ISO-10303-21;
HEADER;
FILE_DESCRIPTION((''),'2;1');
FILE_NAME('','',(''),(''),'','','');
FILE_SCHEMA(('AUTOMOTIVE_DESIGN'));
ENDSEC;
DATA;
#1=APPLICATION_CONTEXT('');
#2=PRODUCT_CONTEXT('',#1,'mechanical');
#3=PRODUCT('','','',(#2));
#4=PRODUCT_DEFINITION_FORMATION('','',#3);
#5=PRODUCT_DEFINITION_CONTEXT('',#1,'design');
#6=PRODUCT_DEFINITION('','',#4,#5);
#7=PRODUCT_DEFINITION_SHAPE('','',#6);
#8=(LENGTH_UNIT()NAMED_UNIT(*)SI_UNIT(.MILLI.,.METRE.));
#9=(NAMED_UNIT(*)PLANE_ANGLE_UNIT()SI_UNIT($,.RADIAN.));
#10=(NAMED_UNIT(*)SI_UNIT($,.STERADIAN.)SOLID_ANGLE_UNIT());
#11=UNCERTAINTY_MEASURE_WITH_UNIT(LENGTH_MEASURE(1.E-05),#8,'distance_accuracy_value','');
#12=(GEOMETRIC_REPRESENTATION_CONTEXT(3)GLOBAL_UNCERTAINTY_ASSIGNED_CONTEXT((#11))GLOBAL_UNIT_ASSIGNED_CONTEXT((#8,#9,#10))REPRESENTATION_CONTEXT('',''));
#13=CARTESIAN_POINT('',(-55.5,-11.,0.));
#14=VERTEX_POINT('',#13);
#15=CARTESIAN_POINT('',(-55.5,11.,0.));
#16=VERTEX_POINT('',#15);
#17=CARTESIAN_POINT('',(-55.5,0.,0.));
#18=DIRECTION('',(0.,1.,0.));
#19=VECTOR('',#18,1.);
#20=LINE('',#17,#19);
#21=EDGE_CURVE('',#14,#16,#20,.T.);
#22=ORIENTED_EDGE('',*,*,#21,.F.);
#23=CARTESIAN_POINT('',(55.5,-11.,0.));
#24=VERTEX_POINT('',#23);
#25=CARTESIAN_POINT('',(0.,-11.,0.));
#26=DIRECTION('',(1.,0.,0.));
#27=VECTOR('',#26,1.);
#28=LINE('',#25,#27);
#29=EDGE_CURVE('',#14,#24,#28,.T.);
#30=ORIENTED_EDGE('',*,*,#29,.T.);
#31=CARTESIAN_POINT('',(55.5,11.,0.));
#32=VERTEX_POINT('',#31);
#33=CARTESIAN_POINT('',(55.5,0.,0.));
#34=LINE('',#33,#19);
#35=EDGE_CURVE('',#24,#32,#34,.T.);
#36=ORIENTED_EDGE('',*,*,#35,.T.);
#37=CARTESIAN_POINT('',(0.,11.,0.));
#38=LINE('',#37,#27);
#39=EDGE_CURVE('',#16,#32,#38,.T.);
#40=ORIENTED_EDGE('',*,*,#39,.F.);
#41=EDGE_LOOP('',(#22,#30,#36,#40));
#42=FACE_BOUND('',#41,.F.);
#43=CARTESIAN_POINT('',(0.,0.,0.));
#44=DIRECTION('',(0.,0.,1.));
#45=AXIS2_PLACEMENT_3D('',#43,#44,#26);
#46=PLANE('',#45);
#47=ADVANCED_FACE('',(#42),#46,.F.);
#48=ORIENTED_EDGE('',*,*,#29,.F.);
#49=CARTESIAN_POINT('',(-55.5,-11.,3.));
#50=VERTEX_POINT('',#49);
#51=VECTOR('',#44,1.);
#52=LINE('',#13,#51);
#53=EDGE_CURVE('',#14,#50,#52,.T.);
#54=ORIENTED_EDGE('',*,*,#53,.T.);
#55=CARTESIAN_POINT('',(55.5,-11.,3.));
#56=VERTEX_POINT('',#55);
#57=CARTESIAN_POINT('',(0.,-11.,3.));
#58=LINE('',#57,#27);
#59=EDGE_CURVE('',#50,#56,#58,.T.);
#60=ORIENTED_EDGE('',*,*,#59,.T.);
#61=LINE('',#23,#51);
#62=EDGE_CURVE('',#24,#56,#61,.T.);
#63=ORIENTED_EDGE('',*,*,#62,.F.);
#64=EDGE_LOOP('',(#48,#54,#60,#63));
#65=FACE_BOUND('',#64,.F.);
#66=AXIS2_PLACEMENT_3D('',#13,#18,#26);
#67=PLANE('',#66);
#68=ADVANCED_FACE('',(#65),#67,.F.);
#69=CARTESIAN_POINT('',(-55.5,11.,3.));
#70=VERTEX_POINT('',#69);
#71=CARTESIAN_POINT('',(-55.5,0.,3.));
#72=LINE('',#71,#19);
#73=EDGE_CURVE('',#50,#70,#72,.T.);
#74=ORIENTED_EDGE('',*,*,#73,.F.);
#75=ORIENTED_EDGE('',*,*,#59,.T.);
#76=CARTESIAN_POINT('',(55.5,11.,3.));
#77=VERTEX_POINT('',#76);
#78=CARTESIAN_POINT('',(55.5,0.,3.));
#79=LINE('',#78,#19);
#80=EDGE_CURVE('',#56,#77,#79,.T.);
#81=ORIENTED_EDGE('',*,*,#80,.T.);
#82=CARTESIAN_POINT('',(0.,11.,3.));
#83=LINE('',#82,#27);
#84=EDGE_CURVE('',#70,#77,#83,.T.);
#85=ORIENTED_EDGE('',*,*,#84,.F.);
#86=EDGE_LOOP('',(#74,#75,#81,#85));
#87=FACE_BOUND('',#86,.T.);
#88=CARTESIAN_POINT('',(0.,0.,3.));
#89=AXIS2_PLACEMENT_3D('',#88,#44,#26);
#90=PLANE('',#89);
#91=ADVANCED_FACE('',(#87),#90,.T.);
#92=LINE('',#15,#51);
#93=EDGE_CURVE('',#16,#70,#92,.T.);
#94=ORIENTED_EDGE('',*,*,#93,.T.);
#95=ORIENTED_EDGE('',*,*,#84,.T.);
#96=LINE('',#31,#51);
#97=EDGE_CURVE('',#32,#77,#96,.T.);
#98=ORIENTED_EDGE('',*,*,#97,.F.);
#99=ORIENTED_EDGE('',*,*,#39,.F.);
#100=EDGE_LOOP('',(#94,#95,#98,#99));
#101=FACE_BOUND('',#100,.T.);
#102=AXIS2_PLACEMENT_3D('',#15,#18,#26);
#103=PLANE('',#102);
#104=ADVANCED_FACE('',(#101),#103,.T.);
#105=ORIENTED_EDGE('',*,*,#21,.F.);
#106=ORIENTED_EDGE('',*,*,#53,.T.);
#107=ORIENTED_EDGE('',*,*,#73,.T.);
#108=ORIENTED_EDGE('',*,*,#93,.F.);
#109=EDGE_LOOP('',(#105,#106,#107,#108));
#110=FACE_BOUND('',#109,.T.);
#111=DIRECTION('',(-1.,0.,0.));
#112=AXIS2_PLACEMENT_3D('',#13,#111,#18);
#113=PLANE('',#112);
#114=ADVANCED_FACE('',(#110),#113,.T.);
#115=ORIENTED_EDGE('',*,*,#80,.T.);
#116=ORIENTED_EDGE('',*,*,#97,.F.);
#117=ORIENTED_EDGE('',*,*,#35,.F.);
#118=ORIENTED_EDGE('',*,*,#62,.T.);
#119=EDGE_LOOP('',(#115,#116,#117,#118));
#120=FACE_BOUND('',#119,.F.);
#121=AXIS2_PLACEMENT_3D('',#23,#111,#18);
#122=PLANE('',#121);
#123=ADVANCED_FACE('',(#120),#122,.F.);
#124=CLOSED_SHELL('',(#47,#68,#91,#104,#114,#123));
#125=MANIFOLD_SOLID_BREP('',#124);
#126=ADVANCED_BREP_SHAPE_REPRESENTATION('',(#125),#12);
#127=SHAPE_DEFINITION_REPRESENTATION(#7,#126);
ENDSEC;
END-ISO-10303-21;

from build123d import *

# Parameters (mm, degrees)
SKETCH_W  = 111
SKETCH_H  = 22
PAD_DEPTH = 3


with BuildPart() as part:
    # Sketch → Pad (new body)
    with BuildSketch(Plane.XY):
        Rectangle(SKETCH_W, SKETCH_H)
    extrude(amount=PAD_DEPTH)


solid = part.part
